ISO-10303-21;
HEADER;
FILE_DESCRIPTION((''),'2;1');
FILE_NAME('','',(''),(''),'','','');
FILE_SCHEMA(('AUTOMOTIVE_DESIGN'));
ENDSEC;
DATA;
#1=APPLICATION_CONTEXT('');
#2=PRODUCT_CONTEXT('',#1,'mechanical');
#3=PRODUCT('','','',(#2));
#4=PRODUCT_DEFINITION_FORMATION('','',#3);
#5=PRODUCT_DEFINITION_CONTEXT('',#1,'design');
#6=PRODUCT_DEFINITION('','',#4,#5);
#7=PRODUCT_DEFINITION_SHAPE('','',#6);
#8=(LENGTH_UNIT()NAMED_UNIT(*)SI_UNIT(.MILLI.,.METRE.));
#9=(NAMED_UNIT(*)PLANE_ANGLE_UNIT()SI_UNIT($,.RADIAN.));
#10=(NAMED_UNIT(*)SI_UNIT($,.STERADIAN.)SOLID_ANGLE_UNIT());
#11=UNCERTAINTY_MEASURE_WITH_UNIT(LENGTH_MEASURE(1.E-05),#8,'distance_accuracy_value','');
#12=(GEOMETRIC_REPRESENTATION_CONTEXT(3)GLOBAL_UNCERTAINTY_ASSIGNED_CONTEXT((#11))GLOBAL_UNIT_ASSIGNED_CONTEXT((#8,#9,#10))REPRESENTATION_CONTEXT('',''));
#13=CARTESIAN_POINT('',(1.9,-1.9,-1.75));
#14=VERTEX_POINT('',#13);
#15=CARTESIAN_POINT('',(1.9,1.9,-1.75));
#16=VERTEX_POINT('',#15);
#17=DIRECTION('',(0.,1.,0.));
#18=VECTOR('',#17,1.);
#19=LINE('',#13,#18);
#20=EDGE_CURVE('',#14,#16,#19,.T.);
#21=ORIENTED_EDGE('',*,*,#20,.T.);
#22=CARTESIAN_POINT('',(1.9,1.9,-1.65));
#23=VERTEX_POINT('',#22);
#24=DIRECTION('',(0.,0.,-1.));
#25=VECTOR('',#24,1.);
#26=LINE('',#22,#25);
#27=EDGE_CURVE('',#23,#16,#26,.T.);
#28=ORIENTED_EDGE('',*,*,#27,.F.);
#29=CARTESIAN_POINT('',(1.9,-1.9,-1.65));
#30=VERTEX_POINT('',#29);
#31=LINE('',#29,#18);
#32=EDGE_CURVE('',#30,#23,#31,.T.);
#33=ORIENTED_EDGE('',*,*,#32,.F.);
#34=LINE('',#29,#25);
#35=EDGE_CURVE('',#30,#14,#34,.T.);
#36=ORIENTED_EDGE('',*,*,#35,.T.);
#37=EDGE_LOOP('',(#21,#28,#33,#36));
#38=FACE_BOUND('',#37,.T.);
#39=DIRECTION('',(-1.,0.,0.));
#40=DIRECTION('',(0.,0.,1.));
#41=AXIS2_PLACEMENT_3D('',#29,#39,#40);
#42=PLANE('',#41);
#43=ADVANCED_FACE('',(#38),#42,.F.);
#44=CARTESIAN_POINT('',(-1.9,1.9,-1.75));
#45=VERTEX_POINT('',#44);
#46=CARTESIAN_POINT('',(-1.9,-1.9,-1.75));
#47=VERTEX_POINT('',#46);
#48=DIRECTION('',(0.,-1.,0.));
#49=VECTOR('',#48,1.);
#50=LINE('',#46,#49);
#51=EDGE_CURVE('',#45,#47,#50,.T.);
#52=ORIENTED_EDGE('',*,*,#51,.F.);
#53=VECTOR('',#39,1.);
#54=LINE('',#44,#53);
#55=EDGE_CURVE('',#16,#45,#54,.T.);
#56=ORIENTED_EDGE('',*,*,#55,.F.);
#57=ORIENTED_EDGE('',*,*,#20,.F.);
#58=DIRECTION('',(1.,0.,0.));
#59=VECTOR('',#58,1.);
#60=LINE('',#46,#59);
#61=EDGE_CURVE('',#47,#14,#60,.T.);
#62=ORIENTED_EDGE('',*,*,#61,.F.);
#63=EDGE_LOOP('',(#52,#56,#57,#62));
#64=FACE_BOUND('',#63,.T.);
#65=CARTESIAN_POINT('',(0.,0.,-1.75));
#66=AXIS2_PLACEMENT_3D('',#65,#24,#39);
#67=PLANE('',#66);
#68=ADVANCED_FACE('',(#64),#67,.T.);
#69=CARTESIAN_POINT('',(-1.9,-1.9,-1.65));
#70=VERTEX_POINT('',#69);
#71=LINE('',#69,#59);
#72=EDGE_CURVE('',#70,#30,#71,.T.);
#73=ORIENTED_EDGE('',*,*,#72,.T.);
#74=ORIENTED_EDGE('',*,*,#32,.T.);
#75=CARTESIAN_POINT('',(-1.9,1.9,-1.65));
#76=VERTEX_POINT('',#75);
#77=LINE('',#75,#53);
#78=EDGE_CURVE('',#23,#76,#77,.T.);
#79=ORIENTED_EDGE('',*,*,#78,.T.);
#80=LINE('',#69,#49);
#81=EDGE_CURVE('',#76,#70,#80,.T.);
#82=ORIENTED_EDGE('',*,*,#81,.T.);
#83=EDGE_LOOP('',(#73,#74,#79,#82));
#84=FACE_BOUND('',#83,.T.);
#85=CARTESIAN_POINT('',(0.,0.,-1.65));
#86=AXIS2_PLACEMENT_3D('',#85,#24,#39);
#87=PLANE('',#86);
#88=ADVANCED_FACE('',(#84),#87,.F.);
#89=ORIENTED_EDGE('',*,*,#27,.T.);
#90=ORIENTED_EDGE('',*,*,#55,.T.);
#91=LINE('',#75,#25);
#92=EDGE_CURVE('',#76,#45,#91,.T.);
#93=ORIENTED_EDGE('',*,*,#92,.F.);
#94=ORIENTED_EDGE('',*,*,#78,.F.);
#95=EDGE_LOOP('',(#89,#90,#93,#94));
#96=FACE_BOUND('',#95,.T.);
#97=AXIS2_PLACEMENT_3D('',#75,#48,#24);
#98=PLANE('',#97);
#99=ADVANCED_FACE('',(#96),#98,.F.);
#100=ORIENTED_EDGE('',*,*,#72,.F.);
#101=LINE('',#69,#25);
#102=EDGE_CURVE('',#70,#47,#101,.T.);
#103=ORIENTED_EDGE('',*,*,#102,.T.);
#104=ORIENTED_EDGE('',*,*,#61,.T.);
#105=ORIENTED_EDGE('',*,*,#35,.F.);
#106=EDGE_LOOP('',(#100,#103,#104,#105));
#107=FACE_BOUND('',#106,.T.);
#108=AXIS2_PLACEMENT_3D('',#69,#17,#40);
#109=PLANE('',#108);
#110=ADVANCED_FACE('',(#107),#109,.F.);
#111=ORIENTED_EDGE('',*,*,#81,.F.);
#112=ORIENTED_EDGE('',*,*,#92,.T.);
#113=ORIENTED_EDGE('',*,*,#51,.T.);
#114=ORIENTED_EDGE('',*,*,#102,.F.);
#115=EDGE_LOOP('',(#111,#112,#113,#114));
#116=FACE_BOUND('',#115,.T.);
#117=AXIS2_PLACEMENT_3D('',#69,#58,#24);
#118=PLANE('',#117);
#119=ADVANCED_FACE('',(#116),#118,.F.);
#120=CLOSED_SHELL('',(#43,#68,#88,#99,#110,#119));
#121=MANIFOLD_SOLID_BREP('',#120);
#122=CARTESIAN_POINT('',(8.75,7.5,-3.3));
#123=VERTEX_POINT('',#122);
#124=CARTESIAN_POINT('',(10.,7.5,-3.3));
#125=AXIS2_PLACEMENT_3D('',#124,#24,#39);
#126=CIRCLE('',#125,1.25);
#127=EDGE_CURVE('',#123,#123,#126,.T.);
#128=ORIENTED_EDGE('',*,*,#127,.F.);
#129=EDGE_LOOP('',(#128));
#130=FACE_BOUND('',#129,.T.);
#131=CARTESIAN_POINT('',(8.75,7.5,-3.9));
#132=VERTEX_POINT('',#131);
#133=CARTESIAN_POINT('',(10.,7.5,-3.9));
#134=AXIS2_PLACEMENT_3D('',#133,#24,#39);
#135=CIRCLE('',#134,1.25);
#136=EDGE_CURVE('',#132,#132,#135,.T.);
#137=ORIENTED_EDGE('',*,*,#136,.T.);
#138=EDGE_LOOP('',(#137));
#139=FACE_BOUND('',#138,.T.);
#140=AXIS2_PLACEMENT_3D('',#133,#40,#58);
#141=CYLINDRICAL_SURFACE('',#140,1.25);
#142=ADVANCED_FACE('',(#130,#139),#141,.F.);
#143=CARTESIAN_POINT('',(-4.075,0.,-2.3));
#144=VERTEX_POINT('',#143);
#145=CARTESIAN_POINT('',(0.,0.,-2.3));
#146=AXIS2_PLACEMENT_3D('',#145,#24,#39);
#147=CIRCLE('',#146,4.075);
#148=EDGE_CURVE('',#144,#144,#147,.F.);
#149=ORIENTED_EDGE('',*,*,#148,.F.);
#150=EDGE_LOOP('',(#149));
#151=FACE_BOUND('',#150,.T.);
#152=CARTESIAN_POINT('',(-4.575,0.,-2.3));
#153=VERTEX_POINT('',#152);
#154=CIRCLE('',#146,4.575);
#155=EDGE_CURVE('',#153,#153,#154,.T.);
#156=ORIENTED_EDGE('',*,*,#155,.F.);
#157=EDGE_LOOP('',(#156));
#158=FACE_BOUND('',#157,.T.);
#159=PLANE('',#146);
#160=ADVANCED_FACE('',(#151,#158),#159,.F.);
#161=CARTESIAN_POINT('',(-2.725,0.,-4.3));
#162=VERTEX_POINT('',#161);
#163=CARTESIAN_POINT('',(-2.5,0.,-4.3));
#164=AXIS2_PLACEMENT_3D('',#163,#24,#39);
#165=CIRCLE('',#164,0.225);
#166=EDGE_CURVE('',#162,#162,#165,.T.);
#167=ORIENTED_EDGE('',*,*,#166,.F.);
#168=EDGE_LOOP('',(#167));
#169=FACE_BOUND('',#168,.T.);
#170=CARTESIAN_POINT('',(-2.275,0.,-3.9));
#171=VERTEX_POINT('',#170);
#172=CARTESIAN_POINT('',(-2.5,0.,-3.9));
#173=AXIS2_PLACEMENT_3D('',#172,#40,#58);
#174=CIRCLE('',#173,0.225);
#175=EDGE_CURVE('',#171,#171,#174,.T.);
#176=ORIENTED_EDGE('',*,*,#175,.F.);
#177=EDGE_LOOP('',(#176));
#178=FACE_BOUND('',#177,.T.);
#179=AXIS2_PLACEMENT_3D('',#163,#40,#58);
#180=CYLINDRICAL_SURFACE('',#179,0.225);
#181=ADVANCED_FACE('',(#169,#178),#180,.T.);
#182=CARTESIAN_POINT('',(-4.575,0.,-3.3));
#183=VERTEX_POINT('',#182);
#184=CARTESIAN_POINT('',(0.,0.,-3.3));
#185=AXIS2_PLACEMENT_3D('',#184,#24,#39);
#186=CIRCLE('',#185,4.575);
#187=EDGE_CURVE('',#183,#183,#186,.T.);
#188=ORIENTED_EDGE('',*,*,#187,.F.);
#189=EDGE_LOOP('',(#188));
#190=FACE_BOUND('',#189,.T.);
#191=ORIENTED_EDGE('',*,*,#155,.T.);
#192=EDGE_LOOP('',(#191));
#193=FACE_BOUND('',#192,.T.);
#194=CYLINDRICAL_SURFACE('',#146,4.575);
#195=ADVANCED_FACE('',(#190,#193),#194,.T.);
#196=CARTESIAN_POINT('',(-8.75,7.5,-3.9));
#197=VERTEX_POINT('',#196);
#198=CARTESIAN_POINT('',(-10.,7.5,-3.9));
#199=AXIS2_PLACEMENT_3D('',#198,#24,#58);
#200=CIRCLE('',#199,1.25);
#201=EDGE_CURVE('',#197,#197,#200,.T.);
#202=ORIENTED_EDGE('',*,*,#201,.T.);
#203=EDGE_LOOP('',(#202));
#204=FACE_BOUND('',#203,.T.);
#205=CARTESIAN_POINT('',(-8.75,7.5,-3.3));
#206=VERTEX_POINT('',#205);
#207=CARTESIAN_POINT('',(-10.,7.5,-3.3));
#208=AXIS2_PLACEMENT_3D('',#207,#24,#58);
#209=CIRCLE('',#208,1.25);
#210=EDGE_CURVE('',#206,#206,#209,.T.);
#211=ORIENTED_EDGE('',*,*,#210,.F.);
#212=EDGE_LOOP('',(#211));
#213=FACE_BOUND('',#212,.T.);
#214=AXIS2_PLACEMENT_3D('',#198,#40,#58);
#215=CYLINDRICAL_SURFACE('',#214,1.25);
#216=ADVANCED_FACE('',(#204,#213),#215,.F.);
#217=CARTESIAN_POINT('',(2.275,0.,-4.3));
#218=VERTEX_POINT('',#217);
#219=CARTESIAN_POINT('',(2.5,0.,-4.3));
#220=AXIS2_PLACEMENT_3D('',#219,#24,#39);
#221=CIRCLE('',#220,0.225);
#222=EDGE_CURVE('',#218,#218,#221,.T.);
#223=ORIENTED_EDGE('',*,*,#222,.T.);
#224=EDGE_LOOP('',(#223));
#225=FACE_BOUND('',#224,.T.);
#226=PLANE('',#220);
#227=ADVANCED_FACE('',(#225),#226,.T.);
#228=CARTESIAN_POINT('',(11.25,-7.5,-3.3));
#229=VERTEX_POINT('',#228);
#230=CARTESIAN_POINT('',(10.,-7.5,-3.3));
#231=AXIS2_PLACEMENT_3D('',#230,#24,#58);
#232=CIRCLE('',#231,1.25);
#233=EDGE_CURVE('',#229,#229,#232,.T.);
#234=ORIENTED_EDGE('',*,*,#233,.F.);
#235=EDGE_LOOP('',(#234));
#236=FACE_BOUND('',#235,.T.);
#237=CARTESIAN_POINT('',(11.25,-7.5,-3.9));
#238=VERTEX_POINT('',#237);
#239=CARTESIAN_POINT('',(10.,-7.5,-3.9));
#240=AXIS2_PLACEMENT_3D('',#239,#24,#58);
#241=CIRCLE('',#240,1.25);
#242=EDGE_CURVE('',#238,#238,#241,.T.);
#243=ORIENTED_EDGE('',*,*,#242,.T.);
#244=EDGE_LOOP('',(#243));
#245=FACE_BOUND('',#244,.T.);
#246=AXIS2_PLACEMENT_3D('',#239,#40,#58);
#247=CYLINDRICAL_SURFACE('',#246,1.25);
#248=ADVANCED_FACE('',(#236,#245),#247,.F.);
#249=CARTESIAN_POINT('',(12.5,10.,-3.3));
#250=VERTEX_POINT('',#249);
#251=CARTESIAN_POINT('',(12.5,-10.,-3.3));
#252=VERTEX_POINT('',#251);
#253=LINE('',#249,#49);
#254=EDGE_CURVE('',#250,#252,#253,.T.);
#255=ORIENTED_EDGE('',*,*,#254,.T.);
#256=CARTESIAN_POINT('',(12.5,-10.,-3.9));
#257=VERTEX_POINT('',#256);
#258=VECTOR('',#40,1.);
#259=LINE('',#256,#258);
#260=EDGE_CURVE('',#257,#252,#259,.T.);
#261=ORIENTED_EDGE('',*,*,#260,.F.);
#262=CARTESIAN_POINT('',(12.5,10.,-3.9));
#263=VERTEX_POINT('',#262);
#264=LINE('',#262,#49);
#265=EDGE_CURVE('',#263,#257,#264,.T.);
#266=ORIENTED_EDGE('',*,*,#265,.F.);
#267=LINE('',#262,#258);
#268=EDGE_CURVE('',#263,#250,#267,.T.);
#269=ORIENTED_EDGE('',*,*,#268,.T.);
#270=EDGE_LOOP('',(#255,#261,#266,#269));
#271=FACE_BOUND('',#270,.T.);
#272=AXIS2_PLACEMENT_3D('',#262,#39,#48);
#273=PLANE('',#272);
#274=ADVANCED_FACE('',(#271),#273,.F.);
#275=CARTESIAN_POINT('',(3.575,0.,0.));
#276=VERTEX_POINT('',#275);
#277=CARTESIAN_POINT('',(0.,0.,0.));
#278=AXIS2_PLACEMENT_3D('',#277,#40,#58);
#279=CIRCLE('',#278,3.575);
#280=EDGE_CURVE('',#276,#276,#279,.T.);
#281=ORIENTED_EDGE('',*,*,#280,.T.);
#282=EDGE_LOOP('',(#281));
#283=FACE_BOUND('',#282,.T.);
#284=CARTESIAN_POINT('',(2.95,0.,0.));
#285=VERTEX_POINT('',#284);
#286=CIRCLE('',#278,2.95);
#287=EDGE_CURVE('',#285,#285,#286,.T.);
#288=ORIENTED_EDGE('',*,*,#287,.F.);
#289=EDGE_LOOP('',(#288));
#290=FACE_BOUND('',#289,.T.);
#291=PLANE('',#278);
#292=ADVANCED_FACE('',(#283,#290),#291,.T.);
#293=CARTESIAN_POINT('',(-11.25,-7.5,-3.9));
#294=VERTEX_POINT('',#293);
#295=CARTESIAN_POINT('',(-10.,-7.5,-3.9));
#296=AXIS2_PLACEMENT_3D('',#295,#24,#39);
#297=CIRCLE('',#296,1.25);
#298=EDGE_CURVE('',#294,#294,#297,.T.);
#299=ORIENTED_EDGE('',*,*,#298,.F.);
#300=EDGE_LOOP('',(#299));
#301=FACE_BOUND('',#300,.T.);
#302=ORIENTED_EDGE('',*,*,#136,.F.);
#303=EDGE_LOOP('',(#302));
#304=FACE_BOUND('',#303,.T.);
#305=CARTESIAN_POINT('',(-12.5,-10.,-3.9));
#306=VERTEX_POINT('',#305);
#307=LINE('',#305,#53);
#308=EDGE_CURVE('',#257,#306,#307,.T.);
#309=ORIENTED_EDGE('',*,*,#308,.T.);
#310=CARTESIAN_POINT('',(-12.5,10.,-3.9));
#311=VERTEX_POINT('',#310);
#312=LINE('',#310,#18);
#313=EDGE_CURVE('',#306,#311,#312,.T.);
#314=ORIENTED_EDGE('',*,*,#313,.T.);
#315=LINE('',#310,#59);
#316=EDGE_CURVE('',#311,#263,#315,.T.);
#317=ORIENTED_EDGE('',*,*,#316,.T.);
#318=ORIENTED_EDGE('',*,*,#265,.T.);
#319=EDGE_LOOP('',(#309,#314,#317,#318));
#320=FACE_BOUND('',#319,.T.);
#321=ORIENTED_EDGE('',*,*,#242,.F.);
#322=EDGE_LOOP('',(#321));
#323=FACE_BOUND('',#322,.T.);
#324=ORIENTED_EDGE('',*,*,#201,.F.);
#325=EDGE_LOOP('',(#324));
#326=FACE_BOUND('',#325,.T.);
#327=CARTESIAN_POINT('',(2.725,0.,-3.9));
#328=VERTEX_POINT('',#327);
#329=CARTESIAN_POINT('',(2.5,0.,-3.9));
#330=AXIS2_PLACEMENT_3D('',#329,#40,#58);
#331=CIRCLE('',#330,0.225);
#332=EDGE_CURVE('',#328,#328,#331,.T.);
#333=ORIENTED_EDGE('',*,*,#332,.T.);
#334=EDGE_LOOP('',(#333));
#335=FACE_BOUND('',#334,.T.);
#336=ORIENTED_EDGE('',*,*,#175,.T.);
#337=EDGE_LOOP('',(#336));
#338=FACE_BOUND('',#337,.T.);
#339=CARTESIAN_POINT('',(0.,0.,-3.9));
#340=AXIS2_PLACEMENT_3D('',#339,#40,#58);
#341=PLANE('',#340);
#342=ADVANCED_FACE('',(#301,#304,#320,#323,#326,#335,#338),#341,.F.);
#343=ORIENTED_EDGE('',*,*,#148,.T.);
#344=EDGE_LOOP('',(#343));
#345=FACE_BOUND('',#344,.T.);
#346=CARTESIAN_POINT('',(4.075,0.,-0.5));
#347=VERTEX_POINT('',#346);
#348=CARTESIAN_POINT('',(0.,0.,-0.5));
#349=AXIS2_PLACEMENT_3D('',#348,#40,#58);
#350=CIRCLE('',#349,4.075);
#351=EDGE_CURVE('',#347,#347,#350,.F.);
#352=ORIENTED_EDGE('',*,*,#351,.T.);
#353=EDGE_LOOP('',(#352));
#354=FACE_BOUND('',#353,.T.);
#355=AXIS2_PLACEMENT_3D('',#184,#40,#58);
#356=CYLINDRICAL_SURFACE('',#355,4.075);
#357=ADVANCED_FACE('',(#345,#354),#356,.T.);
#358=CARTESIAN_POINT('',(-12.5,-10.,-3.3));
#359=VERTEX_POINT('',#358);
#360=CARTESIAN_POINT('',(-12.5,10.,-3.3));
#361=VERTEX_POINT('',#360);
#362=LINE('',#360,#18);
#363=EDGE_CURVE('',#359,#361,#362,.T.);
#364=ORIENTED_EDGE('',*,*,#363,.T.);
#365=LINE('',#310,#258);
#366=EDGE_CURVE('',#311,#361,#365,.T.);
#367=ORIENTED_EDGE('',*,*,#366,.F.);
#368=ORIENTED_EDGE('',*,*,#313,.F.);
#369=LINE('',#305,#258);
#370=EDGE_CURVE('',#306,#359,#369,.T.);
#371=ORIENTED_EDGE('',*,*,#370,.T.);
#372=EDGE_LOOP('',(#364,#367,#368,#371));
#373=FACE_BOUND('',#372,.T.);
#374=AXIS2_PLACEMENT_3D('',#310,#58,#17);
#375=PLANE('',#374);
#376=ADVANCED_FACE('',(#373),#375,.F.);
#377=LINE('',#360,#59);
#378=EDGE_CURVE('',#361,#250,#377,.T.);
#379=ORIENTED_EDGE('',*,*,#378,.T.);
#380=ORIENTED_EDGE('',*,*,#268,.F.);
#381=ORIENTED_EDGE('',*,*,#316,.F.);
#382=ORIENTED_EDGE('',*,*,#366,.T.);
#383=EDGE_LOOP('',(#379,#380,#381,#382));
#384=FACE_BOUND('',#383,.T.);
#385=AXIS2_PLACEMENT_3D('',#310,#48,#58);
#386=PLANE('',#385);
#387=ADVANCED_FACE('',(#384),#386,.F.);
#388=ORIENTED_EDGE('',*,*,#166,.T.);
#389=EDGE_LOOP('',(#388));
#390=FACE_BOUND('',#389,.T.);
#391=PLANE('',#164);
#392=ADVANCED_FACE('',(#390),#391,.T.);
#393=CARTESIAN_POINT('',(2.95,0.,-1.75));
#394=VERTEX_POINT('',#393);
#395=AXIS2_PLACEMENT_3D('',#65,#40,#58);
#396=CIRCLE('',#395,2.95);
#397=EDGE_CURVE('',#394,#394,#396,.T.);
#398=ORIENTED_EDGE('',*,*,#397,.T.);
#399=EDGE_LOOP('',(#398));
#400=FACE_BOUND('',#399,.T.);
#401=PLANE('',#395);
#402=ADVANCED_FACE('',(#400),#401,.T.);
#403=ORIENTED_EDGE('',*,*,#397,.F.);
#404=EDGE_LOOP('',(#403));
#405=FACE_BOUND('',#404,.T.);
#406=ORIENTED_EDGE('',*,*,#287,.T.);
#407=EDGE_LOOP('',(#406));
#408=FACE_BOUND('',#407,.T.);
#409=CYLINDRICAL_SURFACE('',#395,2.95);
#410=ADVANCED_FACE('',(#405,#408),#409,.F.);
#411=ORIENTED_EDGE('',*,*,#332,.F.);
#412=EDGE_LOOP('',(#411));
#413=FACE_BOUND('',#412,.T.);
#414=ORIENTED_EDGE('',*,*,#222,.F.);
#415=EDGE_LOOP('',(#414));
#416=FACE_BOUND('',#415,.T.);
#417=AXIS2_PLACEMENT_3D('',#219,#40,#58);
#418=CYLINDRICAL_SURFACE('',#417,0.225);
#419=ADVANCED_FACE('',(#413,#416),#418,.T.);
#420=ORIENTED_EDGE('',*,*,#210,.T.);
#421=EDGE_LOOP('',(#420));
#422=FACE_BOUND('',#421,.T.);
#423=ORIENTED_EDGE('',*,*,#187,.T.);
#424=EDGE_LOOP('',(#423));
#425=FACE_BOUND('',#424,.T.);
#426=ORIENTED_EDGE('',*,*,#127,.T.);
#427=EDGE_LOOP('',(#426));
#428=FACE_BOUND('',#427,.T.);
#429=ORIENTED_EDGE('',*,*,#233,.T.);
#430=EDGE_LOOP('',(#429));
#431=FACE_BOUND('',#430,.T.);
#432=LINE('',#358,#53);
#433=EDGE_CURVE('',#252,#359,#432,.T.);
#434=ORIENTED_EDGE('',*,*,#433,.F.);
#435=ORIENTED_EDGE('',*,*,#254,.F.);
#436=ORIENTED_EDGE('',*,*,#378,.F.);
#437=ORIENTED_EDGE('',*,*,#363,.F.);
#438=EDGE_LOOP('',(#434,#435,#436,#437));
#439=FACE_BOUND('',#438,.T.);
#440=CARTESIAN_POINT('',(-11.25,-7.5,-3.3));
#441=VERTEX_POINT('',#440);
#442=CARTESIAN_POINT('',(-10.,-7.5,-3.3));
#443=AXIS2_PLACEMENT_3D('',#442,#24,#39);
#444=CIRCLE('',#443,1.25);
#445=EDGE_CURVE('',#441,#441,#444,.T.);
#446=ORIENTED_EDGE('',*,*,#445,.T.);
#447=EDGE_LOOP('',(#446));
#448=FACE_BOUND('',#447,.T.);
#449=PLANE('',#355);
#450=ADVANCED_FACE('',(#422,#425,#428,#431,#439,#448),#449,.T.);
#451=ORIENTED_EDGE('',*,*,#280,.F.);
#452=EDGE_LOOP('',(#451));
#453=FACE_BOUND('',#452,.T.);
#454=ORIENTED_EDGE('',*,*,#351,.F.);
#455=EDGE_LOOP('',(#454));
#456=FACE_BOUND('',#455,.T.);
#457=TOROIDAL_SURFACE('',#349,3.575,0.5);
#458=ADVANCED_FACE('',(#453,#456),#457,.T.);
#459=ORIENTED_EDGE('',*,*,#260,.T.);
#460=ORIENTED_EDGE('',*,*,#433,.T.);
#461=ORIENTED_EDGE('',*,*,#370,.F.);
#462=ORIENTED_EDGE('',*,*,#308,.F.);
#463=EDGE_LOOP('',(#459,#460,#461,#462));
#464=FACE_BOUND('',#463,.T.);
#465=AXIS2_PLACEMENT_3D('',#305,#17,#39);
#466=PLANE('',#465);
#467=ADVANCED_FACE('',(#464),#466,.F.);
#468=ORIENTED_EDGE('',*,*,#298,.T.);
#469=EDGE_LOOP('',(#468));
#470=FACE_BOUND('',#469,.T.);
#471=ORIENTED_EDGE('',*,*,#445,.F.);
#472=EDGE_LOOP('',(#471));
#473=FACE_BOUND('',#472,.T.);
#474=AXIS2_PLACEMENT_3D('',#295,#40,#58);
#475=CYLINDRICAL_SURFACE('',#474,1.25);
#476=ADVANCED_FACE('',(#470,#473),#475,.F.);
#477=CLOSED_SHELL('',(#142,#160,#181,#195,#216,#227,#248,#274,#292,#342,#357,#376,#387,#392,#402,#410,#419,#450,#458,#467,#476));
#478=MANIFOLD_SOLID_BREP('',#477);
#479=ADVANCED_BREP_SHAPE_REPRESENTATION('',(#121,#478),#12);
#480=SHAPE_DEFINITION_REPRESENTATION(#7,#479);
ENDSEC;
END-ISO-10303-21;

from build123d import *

# Parameters (mm, degrees)
SKETCH1_R           = 4.075
BOSS_EXTRUDE1_DEPTH = 3.3
SKETCH2_R           = 4.575
BOSS_EXTRUDE2_DEPTH = 1
SKETCH3_R           = 2.95
CUT_EXTRUDE1_DEPTH  = 1.75
FILLET1_R           = 0.5
SKETCH5_R           = 0.225
BOSS_EXTRUDE4_DEPTH = 1
SKETCH6_W           = 25
SKETCH6_H           = 20
SKETCH6_R           = 1.25
BOSS_EXTRUDE5_DEPTH = 0.6
ACTIVE_AREA_START   = 1.55
SKETCH7_W           = 3.8
SKETCH7_H           = 3.8
ACTIVE_AREA_DEPTH   = 0.1


with BuildPart() as part:
    # Sketch1 → Boss-Extrude1 (new body)
    with BuildSketch(Plane.XY):
        Circle(SKETCH1_R)
    extrude(amount=-BOSS_EXTRUDE1_DEPTH)

    # Sketch2 → Boss-Extrude2 (add)
    with BuildSketch(Plane(origin=(0, 0, -3.3), x_dir=(-1, 0, 0), z_dir=(0, 0, -1))):
        Circle(SKETCH2_R)
    extrude(amount=-BOSS_EXTRUDE2_DEPTH)

    # Sketch3 → Cut-Extrude1 (cut)
    with BuildSketch(Plane.XY):
        Circle(SKETCH3_R)
    extrude(amount=-CUT_EXTRUDE1_DEPTH, mode=Mode.SUBTRACT)

    # Fillet1
    fillet1_edges = [part.edges().sort_by_distance(p)[0] for p in [
        (-4.075, 0, 0),
    ]]
    fillet(fillet1_edges, radius=FILLET1_R)

    # Sketch5 → Boss-Extrude4 (add)
    with BuildSketch(Plane(origin=(0, 0, -3.3), x_dir=(-1, 0, 0), z_dir=(0, 0, -1))):
        with Locations(Location((2.5, 0, 0), (0, 0, 180))):
            Circle(SKETCH5_R)
        with Locations(Location((-2.5, 0, 0), (0, 0, 180))):
            Circle(SKETCH5_R)
    extrude(amount=BOSS_EXTRUDE4_DEPTH)

    # Sketch6 → Boss-Extrude5 (add)
    with BuildSketch(Plane(origin=(0, 0, -3.3), x_dir=(-1, 0, 0), z_dir=(0, 0, -1))):
        Rectangle(SKETCH6_W, SKETCH6_H)
        with Locations((10, -7.5)):
            Circle(SKETCH6_R, mode=Mode.SUBTRACT)
        with Locations(Location((10, 7.5, 0), (0, 0, 180))):
            Circle(SKETCH6_R, mode=Mode.SUBTRACT)
        with Locations((-10, 7.5)):
            Circle(SKETCH6_R, mode=Mode.SUBTRACT)
        with Locations(Location((-10, -7.5, 0), (0, 0, 180))):
            Circle(SKETCH6_R, mode=Mode.SUBTRACT)
    extrude(amount=BOSS_EXTRUDE5_DEPTH)


with BuildPart() as body_2:
    # Sketch7 → Active_area (new body)
    with BuildSketch(Plane.XY.offset(-3.3).offset(ACTIVE_AREA_START)):
        Rectangle(SKETCH7_W, SKETCH7_H)
    extrude(amount=ACTIVE_AREA_DEPTH)


solid = Compound([part.part, body_2.part])
